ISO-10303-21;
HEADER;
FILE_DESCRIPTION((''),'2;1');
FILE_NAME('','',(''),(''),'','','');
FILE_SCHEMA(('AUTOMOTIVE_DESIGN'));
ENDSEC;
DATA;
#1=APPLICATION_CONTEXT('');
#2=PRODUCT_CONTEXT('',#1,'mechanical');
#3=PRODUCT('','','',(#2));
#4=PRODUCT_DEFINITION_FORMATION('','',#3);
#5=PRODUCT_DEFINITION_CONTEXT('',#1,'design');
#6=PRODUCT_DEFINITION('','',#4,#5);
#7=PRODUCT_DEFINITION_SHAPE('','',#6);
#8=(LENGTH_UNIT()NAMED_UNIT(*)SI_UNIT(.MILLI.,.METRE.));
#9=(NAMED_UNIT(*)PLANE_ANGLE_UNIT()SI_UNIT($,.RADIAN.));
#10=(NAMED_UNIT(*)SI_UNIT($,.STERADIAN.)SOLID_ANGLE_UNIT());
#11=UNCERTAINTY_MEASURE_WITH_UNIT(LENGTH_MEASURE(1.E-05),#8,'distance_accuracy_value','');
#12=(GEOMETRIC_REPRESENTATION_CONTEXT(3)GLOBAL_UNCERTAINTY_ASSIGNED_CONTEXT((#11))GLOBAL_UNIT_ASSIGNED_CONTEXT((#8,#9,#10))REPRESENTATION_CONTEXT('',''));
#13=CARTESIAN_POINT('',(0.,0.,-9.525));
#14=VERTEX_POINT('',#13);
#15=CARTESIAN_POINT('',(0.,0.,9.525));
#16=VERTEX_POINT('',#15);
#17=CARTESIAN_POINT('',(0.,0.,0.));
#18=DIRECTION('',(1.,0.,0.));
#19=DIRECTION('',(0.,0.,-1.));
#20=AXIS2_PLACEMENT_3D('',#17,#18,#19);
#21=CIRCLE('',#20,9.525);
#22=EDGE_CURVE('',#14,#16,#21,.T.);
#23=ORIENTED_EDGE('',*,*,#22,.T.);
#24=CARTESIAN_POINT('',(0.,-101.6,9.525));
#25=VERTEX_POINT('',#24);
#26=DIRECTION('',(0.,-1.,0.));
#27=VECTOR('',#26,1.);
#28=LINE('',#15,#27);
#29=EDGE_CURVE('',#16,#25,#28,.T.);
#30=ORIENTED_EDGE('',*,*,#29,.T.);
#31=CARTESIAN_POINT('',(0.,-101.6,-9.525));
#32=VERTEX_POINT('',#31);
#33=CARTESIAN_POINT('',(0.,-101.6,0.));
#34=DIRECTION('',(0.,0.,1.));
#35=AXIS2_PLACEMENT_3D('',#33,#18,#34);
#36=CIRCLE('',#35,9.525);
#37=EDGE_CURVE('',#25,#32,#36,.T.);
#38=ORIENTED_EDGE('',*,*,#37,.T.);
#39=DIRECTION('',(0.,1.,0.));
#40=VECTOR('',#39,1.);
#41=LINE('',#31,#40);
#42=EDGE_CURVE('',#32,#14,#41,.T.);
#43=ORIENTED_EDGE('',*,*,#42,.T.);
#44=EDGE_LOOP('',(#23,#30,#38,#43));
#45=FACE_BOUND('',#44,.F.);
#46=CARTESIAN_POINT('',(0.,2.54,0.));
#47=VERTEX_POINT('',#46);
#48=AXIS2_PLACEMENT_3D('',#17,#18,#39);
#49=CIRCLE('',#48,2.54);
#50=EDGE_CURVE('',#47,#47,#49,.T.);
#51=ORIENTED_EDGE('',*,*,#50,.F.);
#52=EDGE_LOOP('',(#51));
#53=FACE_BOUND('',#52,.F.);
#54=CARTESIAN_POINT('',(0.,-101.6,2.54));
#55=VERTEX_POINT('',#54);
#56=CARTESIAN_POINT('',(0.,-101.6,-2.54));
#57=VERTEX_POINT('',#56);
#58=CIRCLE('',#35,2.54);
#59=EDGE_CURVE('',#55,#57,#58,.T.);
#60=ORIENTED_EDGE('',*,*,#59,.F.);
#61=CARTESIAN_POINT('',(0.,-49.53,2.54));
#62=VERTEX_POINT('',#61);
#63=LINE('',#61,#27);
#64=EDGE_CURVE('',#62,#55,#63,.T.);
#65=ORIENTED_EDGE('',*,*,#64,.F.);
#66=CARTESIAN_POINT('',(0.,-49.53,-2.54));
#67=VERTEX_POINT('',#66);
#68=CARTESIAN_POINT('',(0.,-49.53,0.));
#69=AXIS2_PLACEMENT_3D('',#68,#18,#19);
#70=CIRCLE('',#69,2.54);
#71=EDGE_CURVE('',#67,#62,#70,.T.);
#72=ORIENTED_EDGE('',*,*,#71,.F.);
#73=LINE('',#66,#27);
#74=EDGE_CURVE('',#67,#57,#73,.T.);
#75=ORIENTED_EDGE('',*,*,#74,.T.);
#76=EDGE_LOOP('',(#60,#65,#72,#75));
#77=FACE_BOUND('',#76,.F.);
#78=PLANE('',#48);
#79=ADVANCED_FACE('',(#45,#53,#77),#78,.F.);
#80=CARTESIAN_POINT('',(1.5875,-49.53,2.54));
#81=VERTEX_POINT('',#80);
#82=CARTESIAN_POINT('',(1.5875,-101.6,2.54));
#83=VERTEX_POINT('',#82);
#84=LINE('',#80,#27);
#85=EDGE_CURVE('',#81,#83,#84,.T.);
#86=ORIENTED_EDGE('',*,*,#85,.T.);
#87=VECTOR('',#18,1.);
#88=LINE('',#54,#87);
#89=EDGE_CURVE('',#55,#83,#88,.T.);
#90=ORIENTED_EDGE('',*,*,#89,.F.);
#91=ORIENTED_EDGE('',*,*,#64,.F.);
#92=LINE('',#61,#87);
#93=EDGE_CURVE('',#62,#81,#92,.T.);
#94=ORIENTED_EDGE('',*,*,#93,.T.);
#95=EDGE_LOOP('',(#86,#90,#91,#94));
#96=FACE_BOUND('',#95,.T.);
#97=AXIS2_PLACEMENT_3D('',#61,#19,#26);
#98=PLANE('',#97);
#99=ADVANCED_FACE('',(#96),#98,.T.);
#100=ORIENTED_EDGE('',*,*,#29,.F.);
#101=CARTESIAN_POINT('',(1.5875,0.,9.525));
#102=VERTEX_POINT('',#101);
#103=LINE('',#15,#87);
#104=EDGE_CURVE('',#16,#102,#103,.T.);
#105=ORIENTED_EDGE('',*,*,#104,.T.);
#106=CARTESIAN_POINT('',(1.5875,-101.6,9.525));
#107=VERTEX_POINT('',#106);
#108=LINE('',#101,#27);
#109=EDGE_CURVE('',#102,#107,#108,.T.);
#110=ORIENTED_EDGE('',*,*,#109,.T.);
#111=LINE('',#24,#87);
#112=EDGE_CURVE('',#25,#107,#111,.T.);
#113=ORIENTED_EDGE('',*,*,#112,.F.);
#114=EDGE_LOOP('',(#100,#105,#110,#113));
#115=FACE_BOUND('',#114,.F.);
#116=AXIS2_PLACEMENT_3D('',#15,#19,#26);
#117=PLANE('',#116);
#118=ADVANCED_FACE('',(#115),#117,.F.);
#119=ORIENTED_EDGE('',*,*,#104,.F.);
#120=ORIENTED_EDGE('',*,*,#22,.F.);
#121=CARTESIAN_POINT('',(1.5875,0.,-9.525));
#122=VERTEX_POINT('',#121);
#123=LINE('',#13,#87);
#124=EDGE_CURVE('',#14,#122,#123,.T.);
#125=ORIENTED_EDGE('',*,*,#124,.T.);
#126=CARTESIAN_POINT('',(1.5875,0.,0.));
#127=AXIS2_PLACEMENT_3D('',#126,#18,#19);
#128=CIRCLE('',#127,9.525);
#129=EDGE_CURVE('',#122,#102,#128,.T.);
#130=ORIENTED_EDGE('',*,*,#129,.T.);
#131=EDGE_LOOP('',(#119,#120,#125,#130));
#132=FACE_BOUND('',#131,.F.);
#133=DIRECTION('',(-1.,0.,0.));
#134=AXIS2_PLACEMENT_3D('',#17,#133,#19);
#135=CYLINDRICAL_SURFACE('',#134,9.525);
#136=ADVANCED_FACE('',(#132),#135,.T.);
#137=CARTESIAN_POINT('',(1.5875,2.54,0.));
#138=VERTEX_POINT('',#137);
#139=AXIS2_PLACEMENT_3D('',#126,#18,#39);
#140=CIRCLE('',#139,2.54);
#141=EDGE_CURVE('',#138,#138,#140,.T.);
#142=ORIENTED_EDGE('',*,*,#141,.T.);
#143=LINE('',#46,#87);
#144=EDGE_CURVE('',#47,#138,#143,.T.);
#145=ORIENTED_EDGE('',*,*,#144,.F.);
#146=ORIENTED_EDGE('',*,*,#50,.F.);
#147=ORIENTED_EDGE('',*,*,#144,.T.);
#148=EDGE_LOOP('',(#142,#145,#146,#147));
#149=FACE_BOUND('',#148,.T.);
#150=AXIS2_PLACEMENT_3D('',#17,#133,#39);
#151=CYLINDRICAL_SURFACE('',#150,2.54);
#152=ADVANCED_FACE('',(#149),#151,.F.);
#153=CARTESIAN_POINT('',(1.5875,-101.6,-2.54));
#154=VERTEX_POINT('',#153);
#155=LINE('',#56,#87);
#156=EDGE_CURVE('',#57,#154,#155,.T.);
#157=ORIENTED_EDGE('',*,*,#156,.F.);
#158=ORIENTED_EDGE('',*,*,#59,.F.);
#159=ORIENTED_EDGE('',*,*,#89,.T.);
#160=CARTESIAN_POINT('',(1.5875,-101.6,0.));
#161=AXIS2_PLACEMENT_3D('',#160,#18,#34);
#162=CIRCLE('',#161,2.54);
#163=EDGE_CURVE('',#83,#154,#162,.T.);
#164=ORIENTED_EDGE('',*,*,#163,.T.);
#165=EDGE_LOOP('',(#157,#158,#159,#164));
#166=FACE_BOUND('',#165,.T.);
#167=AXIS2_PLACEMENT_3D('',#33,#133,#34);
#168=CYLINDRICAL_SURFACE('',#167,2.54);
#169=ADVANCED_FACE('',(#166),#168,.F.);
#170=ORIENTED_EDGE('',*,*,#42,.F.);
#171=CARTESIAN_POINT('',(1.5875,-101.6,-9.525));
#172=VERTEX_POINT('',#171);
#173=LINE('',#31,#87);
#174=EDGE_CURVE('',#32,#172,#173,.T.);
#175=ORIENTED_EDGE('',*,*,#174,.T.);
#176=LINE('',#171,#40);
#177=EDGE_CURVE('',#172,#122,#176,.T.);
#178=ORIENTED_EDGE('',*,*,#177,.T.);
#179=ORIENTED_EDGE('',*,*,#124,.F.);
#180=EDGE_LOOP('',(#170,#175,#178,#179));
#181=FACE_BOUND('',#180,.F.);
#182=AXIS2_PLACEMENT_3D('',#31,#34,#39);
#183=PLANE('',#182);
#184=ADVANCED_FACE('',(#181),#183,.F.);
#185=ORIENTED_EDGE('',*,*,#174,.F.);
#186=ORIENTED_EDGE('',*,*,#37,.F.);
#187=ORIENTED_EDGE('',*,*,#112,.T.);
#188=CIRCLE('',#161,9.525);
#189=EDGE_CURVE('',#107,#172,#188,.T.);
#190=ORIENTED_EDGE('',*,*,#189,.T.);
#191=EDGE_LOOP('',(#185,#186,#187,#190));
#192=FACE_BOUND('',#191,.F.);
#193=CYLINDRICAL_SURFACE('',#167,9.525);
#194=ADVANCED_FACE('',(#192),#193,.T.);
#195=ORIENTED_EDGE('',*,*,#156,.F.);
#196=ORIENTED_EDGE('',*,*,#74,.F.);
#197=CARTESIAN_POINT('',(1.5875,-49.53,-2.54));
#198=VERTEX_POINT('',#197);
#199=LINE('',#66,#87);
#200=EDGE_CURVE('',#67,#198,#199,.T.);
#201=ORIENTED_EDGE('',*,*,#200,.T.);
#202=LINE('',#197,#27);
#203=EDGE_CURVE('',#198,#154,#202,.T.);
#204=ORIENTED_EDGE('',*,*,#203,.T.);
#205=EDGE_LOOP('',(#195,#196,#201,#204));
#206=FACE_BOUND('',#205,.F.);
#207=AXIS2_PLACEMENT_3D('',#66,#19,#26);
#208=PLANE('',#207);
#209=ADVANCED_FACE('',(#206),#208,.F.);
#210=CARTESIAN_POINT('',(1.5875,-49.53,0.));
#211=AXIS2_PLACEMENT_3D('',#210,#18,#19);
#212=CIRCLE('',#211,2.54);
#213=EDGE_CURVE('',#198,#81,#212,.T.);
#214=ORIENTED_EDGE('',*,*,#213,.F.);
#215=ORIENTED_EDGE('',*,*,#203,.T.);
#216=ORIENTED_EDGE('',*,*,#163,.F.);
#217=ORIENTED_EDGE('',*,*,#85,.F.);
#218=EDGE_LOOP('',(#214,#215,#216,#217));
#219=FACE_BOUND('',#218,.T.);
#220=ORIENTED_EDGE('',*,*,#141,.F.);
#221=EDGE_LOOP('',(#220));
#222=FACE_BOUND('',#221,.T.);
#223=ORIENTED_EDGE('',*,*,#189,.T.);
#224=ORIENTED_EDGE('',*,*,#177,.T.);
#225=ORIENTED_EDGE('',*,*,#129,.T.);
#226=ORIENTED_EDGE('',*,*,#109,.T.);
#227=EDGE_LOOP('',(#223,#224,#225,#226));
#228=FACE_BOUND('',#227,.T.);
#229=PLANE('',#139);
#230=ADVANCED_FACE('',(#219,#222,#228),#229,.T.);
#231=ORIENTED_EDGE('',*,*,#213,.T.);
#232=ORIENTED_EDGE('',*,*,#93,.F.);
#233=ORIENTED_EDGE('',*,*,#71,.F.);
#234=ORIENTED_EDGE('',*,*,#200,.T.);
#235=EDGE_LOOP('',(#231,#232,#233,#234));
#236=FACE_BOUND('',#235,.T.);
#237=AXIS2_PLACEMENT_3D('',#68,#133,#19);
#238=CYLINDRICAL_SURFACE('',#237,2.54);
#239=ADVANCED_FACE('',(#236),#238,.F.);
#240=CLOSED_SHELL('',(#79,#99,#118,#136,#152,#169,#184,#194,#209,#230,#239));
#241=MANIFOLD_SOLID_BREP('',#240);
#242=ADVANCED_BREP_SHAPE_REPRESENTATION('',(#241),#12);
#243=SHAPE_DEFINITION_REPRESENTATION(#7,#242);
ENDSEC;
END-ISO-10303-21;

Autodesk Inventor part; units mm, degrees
ref_plane "YZ Plane" through (0, 0, 0) normal (1, 0, 0) x (0, 1, 0)
ref_plane "XZ Plane" through (0, 0, 0) normal (0, 1, 0) x (-1, 0, 0)
ref_plane "XY Plane" through (0, 0, 0) normal (0, 0, 1) x (1, 0, 0)
sketch "Sketch1" plane through (0, 0, 0) normal (1, 0, 0) x (0, 1, 0)
  circle A0 centre (0, 0) radius 2.54
  arc A1 (0, -9.525) -> (0, 9.525) centre (0, 0) ccw
  line L0 (0, 9.525) -> (-101.6, 9.525)
  line L1 (-101.6, -9.525) -> (0, -9.525)
  arc A2 (-49.53, -2.54) -> (-49.53, 2.54) centre (-49.53, 0) ccw
  line L2 (-49.53, 2.54) -> (-101.6, 2.54)
  line L3 (-49.53, -2.54) -> (-101.6, -2.54)
  arc A3 (-101.6, 2.54) -> (-101.6, -2.54) centre (-101.6, 0) ccw
  arc A4 (-101.6, 9.525) -> (-101.6, -9.525) centre (-101.6, 0) ccw
  point P0 (-111.76, 0)
  dimension "d0" = 5.08
  dimension "d12" = 5.08
  dimension "d17" = 52.07
extrude "Extrusion1" add sketch "Sketch1" along normal blind 1.5875
properties part number "hgsupport"
